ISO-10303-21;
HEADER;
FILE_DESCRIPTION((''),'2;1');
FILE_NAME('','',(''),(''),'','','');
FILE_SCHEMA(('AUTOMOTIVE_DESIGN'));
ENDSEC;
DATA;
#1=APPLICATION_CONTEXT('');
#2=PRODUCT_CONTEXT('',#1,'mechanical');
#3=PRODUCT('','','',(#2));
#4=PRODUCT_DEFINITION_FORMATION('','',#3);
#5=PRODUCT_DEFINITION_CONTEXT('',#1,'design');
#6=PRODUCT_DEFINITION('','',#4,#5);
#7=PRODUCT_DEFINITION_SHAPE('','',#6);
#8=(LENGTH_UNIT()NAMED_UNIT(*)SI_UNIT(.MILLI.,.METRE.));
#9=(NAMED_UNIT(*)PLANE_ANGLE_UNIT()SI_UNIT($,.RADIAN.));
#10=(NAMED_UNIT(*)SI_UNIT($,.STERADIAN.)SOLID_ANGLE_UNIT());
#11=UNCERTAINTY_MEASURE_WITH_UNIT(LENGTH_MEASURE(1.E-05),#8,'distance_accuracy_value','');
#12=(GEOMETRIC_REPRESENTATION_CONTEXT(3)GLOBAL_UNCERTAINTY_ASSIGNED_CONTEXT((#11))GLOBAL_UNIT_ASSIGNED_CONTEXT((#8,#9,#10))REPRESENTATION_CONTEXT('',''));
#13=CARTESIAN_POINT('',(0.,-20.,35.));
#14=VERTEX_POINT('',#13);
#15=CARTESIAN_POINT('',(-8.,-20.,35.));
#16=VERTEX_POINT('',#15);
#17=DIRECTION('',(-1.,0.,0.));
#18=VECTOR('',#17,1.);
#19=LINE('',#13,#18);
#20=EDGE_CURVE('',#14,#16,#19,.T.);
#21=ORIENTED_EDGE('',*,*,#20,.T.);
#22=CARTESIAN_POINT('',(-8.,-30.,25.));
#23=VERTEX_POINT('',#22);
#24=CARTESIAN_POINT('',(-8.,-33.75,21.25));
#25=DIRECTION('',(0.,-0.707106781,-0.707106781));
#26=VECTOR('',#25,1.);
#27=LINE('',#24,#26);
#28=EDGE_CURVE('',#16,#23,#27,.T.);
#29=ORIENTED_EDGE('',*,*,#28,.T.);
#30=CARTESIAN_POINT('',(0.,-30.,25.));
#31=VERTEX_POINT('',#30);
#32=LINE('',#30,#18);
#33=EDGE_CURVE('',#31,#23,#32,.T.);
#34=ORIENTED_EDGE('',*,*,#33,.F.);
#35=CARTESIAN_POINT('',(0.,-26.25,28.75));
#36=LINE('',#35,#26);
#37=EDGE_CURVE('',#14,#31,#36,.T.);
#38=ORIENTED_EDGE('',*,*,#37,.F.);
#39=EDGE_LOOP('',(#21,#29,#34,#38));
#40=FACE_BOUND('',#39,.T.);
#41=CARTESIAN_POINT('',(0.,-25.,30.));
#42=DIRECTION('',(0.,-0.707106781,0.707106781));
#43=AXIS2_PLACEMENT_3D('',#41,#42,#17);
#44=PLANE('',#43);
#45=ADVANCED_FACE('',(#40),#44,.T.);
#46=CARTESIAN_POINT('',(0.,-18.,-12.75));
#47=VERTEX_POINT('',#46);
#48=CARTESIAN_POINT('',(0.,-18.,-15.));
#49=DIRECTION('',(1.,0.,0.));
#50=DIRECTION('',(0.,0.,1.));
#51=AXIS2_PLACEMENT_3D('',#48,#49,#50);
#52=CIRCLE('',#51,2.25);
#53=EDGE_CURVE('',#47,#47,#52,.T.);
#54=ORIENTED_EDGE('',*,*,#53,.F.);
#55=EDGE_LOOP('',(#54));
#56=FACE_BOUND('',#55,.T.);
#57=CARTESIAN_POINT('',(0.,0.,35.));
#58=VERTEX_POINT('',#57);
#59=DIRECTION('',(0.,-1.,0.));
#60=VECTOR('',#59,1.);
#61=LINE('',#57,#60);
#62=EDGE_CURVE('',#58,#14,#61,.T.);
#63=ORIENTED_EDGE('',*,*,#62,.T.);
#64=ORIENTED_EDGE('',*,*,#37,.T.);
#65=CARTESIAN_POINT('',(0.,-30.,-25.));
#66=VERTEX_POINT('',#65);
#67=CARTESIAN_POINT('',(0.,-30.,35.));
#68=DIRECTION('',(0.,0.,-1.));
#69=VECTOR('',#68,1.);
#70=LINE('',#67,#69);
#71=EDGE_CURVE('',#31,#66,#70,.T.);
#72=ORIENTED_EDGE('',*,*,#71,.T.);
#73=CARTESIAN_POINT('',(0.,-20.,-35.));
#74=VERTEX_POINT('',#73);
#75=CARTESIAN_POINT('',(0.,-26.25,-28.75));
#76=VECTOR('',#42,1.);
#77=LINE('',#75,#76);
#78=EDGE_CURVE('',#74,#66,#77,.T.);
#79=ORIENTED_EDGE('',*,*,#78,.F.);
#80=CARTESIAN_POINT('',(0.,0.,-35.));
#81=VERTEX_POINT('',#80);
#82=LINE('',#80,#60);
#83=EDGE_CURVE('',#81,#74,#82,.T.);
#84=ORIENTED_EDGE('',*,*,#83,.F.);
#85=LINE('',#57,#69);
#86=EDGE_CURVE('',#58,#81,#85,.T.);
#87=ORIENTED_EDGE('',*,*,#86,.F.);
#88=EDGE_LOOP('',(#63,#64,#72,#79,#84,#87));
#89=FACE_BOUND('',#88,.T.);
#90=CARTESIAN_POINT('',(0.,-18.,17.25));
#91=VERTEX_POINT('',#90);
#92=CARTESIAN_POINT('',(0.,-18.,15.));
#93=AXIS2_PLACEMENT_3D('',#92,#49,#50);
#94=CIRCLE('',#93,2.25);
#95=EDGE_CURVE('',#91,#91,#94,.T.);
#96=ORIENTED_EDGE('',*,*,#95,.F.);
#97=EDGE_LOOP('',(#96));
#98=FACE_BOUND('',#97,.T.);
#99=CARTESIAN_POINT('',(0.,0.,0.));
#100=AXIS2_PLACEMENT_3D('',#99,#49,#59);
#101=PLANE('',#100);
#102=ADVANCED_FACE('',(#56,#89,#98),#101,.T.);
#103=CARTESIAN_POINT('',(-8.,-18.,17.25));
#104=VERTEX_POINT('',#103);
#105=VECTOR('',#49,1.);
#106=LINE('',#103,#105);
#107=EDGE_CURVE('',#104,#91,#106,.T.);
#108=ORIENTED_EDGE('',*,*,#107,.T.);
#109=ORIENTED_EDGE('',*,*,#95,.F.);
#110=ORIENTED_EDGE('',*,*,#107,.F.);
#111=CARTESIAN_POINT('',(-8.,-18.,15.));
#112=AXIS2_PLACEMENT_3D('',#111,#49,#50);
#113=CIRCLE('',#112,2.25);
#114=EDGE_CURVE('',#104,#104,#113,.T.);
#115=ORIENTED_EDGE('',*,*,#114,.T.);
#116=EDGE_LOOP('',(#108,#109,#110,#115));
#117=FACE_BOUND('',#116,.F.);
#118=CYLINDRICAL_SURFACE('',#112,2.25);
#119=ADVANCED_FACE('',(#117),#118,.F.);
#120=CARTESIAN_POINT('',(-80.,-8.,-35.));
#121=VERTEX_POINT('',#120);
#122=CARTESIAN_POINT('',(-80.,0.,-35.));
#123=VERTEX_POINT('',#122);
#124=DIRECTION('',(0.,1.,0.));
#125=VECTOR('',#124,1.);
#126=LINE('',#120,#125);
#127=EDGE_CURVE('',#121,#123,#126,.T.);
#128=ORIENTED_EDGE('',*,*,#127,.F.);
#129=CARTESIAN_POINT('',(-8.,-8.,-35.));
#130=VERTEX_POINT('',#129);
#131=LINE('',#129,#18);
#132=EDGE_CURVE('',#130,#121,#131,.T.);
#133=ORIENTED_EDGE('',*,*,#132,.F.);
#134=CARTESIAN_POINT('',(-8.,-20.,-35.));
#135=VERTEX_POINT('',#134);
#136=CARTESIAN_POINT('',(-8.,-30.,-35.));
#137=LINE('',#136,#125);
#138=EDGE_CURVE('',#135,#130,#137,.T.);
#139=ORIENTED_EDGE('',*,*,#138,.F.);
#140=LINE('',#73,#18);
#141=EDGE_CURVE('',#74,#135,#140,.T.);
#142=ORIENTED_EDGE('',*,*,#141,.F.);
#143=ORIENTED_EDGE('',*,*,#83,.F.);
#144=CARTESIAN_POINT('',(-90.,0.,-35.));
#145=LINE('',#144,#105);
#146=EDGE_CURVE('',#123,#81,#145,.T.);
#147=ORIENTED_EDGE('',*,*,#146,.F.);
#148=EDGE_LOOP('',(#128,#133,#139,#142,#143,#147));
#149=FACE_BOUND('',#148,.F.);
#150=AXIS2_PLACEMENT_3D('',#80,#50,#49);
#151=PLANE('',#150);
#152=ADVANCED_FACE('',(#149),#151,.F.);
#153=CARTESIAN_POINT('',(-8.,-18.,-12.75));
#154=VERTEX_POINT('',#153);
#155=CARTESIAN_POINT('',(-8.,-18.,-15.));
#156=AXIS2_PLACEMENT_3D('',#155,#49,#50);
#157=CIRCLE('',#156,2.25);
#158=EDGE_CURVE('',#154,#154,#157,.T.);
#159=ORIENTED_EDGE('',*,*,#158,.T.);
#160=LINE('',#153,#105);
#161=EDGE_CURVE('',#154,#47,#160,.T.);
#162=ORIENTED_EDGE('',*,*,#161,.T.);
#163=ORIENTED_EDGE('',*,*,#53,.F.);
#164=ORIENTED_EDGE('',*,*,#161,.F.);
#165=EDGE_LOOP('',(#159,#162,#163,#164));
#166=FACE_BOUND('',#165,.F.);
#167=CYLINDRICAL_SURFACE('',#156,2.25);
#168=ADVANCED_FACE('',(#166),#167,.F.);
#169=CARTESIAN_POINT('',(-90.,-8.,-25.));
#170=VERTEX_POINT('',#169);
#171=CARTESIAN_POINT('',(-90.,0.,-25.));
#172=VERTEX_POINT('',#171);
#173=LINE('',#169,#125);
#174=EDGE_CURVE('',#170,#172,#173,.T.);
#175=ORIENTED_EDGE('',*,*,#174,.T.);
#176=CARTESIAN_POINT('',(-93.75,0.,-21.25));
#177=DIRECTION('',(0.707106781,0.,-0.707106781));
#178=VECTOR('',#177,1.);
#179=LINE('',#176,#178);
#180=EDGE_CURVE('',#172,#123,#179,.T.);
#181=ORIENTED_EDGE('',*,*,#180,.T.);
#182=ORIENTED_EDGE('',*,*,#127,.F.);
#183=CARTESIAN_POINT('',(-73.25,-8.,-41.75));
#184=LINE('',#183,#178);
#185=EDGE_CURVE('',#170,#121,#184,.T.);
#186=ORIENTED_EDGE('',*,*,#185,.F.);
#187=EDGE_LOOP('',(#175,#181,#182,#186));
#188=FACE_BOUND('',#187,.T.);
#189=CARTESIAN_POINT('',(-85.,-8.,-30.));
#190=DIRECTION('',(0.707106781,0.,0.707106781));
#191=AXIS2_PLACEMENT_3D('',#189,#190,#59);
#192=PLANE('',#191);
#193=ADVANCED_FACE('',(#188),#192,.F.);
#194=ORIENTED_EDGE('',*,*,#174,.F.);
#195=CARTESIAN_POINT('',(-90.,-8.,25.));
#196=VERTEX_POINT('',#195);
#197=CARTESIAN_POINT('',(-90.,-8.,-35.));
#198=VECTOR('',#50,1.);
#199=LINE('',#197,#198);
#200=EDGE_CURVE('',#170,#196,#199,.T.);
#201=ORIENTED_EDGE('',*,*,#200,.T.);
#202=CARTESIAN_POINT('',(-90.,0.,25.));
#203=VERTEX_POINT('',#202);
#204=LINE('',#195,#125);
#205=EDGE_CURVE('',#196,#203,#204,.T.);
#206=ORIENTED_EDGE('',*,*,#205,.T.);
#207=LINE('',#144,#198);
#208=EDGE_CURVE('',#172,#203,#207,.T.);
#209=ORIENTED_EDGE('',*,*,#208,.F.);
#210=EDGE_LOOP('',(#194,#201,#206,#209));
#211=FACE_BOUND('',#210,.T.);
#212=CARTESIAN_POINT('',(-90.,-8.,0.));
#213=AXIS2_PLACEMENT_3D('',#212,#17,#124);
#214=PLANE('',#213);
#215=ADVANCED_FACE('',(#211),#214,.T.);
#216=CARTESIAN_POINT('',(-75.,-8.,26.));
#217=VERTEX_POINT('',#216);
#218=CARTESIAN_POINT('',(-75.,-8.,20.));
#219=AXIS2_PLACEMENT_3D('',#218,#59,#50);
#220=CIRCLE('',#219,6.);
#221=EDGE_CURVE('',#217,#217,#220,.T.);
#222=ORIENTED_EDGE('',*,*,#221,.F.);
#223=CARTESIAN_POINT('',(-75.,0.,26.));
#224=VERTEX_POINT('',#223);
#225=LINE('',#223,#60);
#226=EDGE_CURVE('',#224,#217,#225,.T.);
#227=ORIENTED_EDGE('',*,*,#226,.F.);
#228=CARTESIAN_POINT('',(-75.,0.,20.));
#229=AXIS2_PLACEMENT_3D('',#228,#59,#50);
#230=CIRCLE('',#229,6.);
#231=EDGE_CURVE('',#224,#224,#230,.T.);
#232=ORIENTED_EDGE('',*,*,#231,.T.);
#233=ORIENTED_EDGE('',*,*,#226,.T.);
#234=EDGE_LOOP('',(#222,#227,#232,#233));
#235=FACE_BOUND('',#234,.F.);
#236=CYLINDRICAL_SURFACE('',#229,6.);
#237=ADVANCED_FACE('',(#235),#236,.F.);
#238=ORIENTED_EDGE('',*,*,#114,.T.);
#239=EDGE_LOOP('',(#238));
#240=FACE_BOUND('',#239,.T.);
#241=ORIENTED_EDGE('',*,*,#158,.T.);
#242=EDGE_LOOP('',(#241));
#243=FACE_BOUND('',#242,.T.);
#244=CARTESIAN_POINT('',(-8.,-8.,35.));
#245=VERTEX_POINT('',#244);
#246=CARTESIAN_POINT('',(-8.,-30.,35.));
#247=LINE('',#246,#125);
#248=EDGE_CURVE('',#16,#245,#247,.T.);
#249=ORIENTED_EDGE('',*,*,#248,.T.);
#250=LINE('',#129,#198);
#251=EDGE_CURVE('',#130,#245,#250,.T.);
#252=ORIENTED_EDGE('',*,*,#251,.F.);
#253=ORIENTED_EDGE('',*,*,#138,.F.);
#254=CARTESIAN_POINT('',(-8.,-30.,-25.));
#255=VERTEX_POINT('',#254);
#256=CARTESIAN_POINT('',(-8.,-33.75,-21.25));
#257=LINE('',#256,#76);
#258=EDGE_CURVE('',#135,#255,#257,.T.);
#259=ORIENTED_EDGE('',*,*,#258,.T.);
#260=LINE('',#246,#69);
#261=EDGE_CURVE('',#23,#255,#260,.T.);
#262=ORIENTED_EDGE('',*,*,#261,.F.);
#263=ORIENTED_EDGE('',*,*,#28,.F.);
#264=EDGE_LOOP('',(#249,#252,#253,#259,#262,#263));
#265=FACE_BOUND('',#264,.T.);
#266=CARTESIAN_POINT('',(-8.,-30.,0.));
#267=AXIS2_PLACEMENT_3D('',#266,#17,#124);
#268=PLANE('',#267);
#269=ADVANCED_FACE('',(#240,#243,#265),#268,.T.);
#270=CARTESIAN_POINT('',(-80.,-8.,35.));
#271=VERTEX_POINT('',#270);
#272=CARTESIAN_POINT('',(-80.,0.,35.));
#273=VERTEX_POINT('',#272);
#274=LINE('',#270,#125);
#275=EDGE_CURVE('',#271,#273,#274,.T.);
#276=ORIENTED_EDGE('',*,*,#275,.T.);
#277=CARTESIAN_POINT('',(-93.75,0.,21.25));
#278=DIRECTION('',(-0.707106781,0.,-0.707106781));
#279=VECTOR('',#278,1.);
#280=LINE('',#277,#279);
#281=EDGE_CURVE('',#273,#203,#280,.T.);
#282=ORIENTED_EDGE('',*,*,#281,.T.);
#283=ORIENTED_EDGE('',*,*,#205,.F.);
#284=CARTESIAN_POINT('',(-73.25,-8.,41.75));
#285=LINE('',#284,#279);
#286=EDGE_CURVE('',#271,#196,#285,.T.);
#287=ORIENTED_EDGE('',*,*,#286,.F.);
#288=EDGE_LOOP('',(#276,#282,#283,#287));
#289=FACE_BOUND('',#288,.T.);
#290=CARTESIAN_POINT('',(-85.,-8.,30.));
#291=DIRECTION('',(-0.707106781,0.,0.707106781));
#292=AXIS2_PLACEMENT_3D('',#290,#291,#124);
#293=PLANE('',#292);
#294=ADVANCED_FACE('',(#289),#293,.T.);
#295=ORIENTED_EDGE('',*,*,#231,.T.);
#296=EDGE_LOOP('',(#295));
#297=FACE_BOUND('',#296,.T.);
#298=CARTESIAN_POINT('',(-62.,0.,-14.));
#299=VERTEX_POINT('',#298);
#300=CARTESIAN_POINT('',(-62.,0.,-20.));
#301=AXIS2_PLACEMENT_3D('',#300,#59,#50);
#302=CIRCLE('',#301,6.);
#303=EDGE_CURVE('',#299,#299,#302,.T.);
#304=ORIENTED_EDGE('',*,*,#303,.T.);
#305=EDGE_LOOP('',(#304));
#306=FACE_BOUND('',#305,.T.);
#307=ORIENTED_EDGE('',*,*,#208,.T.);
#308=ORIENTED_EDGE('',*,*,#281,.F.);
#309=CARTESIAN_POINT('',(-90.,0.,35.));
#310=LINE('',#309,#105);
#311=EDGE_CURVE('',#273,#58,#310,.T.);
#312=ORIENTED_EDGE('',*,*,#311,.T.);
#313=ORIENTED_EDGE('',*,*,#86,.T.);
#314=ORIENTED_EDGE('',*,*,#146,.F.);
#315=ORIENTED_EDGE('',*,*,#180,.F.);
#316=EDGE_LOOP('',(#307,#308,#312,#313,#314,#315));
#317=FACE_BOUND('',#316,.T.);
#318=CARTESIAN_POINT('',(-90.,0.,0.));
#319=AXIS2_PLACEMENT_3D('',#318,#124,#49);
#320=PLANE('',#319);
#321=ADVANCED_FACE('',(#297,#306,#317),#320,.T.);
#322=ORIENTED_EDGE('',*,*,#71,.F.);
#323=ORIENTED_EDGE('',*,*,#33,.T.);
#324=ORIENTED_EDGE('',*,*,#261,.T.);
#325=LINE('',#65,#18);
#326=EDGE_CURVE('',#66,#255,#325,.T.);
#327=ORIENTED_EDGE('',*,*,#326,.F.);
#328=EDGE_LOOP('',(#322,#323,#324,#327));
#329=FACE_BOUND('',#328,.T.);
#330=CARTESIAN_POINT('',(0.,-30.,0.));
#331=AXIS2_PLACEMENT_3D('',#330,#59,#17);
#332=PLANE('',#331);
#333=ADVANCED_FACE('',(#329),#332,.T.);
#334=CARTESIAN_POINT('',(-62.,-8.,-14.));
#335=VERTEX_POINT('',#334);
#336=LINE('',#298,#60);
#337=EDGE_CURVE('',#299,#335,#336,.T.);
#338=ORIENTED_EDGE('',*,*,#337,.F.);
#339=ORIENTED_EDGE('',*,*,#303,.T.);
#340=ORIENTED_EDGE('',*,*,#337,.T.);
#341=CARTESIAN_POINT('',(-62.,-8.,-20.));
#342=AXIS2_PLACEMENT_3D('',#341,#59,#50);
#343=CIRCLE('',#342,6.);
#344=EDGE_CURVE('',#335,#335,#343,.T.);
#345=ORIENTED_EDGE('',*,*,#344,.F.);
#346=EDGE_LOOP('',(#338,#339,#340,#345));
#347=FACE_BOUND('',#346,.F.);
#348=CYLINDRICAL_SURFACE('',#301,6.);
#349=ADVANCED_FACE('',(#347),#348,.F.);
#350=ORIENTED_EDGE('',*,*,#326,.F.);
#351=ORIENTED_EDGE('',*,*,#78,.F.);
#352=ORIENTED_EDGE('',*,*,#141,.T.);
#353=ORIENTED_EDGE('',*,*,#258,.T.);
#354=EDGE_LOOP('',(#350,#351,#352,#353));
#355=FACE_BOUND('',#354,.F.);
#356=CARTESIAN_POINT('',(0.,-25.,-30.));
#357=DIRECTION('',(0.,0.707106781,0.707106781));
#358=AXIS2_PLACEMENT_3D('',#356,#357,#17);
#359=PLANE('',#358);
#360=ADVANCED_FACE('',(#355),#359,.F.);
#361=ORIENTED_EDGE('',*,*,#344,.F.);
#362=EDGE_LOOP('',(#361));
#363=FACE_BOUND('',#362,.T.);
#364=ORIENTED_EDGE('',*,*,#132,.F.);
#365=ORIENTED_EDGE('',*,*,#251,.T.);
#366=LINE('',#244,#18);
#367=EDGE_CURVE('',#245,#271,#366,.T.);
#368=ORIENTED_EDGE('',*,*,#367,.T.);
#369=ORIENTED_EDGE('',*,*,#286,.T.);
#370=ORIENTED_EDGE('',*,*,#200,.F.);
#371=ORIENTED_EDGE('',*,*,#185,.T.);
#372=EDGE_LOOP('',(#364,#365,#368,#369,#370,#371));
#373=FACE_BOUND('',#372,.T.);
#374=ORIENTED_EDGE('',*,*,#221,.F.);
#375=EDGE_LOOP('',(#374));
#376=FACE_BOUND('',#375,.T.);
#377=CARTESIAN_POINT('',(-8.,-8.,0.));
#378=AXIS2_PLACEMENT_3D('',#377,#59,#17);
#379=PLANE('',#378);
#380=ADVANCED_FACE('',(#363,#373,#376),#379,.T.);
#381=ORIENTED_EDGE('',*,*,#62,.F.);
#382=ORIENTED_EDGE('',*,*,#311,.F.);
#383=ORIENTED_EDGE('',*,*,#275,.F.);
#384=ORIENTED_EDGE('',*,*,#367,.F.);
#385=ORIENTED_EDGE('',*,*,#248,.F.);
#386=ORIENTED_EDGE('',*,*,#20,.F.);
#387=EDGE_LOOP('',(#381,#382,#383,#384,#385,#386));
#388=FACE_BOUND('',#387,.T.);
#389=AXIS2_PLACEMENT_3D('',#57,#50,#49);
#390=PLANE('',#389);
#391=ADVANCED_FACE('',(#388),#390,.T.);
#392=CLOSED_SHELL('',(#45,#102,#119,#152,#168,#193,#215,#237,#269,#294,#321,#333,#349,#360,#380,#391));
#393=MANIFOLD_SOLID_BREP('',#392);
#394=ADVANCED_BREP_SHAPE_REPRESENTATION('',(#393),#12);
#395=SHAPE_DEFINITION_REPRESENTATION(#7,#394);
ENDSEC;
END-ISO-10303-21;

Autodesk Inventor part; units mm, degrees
ref_plane "YZ Plane" through (0, 0, 0) normal (1, 0, 0) x (0, 1, 0)
ref_plane "XZ Plane" through (0, 0, 0) normal (0, 1, 0) x (-1, 0, 0)
ref_plane "XY Plane" through (0, 0, 0) normal (0, 0, 1) x (1, 0, 0)
sketch "Esboço1" plane through (0, 0, 0) normal (0, 0, 1) x (1, 0, 0)
  line L0 (-90, 0) -> (0, 0)
  line L1 (0, 0) -> (0, -30)
  line L2 (0, -30) -> (-8, -30)
  line L3 (-8, -30) -> (-8, -8)
  line L4 (-8, -8) -> (-90, -8)
  line L5 (-90, -8) -> (-90, 0)
  dimension "d0" = 90
  dimension "d1" = 30
  dimension "d2" = 8
  dimension "d3" = 8
extrude "Extrusão1" add sketch "Esboço1" along normal mid plane 70
sketch "Esboço2" plane through (-90, 0, 35) normal (0, 1, 0) x (1, 0, 0)
  line L0 (0, 70) -> (0, 0) projected
  line L1 (90, 0) -> (0, 0) projected
  line L2 (0, 70) -> (90, 70) projected
  point P0 (90, 35)
  point P1 (28, 55)
  point P2 (15, 15)
  dimension "d6" = 28
  dimension "d7" = 15
  dimension "d8" = 15
  dimension "d9" = 15
hole "Furo1" at (-62, 0, -20) at (-75, 0, 20) direction (0, -1, 0) diameter 12 end through all
sketch "Esboço3" plane through (-8, -30, 35) normal (-1, 0, 0) x (0, 0, 1)
  line L0 (-70, 0) -> (0, 0) projected
  line L1 (0, 22) -> (0, 0) projected
  line L2 (-70, 0) -> (-70, 22) projected
  point P0 (-35, 30)
  point P1 (-50, 12)
  point P2 (-20, 12)
  dimension "d17" = 12
  dimension "d18" = 20
  dimension "d19" = 20
hole "Furo2" at (-8, -18, -15) at (-8, -18, 15) direction (1, 0, 0) diameter 4.5 end through all
chamfer "Chanfro1" distance 10 angle 45 4 edges at (-90, -4, -35) (-90, -4, 35) (-4, -30, -35) (-4, -30, 35)
